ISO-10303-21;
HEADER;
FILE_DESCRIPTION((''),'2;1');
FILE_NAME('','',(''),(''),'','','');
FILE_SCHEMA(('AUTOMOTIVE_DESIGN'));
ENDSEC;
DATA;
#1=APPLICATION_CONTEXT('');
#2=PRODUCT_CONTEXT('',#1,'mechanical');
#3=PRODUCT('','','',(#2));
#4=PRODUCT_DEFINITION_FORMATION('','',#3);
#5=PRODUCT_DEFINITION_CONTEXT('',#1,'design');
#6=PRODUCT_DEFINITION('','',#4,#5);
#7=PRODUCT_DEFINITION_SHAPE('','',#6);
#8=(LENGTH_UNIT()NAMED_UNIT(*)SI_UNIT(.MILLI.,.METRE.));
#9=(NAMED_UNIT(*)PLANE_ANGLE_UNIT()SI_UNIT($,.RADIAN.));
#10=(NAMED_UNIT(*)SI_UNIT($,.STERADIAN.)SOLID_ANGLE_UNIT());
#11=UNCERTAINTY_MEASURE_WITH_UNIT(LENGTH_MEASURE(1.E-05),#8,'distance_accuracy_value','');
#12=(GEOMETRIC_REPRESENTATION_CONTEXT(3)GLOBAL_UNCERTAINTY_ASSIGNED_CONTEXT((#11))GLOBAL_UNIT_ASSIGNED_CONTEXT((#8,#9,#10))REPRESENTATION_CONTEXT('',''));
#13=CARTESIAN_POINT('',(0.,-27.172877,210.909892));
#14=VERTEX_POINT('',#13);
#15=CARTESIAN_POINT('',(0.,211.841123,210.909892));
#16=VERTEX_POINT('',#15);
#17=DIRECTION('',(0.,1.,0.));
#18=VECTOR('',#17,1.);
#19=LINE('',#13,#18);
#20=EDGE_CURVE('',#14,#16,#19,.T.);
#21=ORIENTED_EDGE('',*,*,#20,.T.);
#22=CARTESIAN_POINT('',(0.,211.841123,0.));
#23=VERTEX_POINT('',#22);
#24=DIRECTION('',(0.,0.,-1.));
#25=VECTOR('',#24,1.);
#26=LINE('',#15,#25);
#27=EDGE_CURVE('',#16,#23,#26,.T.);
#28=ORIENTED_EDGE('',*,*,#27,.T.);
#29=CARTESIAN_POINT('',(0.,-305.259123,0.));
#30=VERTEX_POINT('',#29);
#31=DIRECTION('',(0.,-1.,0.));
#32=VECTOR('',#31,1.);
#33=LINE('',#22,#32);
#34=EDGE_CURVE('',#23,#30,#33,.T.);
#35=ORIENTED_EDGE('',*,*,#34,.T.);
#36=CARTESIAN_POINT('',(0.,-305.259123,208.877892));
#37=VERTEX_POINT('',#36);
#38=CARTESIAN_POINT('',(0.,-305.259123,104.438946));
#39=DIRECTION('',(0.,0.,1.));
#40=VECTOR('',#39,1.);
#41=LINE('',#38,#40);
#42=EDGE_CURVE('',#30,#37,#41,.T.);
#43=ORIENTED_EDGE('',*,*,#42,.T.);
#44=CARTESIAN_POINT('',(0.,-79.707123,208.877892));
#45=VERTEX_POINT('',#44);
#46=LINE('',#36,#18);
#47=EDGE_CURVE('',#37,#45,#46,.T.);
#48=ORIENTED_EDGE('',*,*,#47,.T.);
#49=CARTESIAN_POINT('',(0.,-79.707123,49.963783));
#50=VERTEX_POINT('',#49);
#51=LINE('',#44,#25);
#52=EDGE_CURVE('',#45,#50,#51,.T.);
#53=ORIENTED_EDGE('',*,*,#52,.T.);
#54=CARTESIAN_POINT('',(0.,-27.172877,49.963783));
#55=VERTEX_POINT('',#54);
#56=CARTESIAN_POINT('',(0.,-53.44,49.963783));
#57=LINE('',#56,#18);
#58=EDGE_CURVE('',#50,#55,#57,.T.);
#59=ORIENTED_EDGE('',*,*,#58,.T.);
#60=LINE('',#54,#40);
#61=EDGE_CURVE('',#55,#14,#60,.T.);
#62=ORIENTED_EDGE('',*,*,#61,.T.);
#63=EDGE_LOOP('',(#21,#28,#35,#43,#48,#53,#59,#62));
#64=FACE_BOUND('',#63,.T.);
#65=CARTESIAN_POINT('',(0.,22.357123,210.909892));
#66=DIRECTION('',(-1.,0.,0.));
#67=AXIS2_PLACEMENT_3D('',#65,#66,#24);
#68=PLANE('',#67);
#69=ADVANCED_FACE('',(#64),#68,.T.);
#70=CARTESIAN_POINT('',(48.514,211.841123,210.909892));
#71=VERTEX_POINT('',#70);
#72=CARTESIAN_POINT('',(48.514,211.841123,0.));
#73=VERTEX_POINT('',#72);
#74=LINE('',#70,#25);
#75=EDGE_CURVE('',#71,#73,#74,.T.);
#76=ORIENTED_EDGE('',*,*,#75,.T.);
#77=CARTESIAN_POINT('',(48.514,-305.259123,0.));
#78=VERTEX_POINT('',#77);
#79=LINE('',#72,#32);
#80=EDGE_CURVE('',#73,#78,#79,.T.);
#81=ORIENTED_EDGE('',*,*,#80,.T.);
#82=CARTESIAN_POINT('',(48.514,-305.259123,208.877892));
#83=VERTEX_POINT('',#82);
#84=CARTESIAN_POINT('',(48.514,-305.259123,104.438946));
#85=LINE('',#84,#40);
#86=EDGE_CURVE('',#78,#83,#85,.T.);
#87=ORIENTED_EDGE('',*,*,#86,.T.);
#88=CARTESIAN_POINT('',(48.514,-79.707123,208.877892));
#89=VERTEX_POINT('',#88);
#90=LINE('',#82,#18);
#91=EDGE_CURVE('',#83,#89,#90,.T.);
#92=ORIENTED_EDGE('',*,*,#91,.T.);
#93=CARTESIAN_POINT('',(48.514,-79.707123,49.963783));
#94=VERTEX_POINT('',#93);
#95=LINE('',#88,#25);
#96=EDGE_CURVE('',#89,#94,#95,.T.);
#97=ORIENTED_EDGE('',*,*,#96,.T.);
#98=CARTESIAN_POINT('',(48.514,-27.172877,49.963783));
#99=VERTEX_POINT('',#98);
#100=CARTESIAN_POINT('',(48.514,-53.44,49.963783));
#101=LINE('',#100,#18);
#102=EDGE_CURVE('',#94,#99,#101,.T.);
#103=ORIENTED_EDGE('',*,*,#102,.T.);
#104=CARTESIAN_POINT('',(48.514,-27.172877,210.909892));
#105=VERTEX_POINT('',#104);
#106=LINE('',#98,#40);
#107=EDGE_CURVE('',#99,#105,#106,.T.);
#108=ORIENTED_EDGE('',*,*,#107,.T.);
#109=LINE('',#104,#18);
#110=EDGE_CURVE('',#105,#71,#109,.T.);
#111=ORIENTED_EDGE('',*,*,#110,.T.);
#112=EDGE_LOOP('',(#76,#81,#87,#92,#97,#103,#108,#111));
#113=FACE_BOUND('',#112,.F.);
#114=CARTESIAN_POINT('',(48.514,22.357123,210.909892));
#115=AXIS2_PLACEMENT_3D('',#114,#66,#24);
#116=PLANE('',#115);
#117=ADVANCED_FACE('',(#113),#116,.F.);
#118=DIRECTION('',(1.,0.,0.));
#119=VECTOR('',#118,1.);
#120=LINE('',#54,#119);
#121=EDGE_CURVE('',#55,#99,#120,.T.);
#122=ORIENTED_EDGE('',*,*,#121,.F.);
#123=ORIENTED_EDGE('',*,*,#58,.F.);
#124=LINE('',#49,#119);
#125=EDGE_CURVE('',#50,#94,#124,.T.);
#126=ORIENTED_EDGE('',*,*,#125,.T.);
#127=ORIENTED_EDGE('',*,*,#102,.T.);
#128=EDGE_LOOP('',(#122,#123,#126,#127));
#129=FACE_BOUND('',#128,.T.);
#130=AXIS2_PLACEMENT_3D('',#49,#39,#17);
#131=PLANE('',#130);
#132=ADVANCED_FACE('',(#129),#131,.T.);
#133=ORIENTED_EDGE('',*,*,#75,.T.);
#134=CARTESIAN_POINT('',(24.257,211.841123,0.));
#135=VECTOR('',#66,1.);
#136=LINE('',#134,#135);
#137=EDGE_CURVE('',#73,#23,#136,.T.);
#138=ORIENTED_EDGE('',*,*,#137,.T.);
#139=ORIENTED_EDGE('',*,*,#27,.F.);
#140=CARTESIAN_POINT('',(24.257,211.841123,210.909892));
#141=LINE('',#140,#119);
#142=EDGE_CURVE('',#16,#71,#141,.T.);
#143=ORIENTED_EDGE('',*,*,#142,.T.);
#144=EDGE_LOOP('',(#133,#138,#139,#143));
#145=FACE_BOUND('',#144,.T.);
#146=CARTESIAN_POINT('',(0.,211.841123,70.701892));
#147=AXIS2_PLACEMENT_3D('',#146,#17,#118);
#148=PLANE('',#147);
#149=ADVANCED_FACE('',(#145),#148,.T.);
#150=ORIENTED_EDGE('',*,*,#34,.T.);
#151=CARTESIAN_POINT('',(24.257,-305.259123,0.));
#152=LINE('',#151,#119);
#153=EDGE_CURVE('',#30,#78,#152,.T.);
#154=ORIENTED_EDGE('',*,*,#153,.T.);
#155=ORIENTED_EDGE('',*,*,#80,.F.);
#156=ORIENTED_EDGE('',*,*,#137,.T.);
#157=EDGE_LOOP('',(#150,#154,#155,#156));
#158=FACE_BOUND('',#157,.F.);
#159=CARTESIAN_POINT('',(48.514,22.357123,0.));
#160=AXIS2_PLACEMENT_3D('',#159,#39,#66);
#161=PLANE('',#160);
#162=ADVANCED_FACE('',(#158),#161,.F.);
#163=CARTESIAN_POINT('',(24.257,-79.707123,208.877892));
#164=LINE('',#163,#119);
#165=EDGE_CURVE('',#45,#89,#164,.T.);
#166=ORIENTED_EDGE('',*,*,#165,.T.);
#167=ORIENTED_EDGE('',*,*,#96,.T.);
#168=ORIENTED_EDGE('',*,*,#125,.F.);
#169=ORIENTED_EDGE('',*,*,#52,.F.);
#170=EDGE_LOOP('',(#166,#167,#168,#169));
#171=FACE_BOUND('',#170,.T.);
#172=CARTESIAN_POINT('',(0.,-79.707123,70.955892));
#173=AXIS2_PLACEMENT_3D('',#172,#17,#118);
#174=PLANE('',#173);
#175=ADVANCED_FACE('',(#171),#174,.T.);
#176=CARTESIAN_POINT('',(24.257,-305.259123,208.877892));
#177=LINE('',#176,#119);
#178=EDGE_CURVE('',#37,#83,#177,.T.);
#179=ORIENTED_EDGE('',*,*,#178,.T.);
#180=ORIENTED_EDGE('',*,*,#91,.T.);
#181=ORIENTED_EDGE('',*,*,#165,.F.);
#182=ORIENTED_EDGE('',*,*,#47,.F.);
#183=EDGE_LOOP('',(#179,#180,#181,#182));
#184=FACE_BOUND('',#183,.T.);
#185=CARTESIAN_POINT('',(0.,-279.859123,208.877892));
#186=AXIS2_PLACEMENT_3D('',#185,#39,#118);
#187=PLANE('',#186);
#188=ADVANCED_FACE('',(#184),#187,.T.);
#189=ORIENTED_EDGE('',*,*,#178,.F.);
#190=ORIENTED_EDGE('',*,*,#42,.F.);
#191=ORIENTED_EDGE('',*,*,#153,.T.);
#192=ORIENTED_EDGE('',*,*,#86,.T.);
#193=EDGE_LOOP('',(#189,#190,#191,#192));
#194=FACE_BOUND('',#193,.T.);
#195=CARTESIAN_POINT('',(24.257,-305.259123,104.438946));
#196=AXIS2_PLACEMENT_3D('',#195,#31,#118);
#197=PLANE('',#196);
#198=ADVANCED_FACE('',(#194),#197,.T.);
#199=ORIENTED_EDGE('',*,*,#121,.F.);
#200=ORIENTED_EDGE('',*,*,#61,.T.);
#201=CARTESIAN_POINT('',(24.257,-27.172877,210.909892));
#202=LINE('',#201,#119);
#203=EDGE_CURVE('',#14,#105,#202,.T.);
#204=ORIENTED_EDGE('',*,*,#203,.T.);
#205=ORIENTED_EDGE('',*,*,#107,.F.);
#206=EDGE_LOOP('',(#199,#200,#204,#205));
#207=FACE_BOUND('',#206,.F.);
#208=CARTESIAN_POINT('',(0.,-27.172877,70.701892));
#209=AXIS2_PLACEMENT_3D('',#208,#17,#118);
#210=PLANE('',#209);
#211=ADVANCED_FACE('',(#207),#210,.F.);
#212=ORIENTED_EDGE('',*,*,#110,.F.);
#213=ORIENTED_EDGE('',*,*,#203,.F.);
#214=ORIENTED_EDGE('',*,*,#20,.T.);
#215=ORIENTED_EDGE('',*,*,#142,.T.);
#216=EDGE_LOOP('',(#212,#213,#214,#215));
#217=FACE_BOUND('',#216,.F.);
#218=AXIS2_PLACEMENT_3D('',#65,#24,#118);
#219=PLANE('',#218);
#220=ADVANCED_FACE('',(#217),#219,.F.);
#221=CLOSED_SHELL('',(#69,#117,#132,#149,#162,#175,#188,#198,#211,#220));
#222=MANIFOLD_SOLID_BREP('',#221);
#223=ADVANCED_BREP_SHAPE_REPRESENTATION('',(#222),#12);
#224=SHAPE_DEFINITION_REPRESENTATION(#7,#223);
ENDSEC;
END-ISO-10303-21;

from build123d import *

# Parameters (mm, degrees)
F0_W       = 52.5342468172
F0_H       = 49.9637834728
F1_DEPTH   = 48.514
F2_W       = 48.514
F2_H       = 24.9818917364
F3_DEPTH   = 46.99
F4_W       = 48.514
F4_H       = 24.9818917364
F5_DEPTH   = 49.53
F6_W       = 48.514
F6_H       = 49.53
F7_DEPTH   = 45.72
F8_W       = 48.514
F8_H       = 46.99
F9_DEPTH   = 45.974
F10_W      = 48.514
F10_H      = 46.99
F11_DEPTH  = 137.922
F12_DEPTH  = 140.208
F13_W      = 48.514
F13_H      = 208.8778917364
F14_DEPTH  = 153.162
F15_W      = 48.514
F15_H      = 208.8778917364
F12_FACE_W = 48.514
F12_FACE_H = 210.9098917364
F16_DEPTH  = 25.4
F17_DEPTH  = 189.484


with BuildPart() as f1:
    # F0 (on Right) → F1 (new body)
    with BuildSketch(Plane.YZ):
        with Locations((-53.4399999306, 24.9818917364)):
            Rectangle(F0_W, F0_H)
    extrude(amount=F1_DEPTH)

    # F2 (on face) → F3 (join)
    with BuildSketch(Plane.XZ.offset(79.7071233392)):
        with Locations((24.257, 12.4909458682)):
            Rectangle(F2_W, F2_H)
    extrude(amount=F3_DEPTH)

    # F4 (on face) → F5 (join)
    with BuildSketch(Plane(origin=(0, -27.1728765219, 0), x_dir=(-1, 0, 0), z_dir=(0, 1, 0))):
        with Locations((-24.257, 12.4909458682)):
            Rectangle(F4_W, F4_H)
    extrude(amount=F5_DEPTH)

    # F6 (on face) → F7 (join)
    with BuildSketch(Plane.XY.offset(24.9818917364)):
        with Locations((24.257, -2.4078765219)):
            Rectangle(F6_W, F6_H)
    extrude(amount=F7_DEPTH)

    # F8 (on face) → F9 (join)
    with BuildSketch(Plane.XY.offset(24.9818917364)):
        with Locations((24.257, -103.2021233392)):
            Rectangle(F8_W, F8_H)
    extrude(amount=F9_DEPTH)

    # F10 (on face) → F11 (join)
    with BuildSketch(Plane.XY.offset(70.9558917364)):
        with Locations((24.257, -103.2021233392)):
            Rectangle(F10_W, F10_H)
    extrude(amount=F11_DEPTH)

    # F12 (add): a face of the model
    f12_faces = [f1.faces().sort_by_distance(p)[0] for p in [
        (24.257, -2.4078765219, 70.7018917364),
    ]]
    extrude(f12_faces, amount=F12_DEPTH)

    # F13 (on face) → F14 (join)
    with BuildSketch(Plane.XZ.offset(126.6971233392)):
        with Locations((24.257, 104.4389458682)):
            Rectangle(F13_W, F13_H)
    extrude(amount=F14_DEPTH)

    # F15 (on face) + F12_face (on face) → F16 (join)
    with BuildSketch(Plane.XZ.offset(279.8591233392)):
        with Locations((24.257, 104.4389458682)):
            Rectangle(F15_W, F15_H)
    with BuildSketch(Plane(origin=(24.257, 22.3571234781, 105.4549458682), x_dir=(-1, 0, 0), z_dir=(0, 1, 0))):
        Rectangle(F12_FACE_W, F12_FACE_H)
    extrude(amount=F16_DEPTH, dir=(0, -1, 0))

    # F17 (add): a face of the model
    f17_faces = [f1.faces().sort_by_distance(p)[0] for p in [
        (24.257, 22.3571234781, 105.4549458682),
    ]]
    extrude(f17_faces, amount=F17_DEPTH)


solid = f1.part
